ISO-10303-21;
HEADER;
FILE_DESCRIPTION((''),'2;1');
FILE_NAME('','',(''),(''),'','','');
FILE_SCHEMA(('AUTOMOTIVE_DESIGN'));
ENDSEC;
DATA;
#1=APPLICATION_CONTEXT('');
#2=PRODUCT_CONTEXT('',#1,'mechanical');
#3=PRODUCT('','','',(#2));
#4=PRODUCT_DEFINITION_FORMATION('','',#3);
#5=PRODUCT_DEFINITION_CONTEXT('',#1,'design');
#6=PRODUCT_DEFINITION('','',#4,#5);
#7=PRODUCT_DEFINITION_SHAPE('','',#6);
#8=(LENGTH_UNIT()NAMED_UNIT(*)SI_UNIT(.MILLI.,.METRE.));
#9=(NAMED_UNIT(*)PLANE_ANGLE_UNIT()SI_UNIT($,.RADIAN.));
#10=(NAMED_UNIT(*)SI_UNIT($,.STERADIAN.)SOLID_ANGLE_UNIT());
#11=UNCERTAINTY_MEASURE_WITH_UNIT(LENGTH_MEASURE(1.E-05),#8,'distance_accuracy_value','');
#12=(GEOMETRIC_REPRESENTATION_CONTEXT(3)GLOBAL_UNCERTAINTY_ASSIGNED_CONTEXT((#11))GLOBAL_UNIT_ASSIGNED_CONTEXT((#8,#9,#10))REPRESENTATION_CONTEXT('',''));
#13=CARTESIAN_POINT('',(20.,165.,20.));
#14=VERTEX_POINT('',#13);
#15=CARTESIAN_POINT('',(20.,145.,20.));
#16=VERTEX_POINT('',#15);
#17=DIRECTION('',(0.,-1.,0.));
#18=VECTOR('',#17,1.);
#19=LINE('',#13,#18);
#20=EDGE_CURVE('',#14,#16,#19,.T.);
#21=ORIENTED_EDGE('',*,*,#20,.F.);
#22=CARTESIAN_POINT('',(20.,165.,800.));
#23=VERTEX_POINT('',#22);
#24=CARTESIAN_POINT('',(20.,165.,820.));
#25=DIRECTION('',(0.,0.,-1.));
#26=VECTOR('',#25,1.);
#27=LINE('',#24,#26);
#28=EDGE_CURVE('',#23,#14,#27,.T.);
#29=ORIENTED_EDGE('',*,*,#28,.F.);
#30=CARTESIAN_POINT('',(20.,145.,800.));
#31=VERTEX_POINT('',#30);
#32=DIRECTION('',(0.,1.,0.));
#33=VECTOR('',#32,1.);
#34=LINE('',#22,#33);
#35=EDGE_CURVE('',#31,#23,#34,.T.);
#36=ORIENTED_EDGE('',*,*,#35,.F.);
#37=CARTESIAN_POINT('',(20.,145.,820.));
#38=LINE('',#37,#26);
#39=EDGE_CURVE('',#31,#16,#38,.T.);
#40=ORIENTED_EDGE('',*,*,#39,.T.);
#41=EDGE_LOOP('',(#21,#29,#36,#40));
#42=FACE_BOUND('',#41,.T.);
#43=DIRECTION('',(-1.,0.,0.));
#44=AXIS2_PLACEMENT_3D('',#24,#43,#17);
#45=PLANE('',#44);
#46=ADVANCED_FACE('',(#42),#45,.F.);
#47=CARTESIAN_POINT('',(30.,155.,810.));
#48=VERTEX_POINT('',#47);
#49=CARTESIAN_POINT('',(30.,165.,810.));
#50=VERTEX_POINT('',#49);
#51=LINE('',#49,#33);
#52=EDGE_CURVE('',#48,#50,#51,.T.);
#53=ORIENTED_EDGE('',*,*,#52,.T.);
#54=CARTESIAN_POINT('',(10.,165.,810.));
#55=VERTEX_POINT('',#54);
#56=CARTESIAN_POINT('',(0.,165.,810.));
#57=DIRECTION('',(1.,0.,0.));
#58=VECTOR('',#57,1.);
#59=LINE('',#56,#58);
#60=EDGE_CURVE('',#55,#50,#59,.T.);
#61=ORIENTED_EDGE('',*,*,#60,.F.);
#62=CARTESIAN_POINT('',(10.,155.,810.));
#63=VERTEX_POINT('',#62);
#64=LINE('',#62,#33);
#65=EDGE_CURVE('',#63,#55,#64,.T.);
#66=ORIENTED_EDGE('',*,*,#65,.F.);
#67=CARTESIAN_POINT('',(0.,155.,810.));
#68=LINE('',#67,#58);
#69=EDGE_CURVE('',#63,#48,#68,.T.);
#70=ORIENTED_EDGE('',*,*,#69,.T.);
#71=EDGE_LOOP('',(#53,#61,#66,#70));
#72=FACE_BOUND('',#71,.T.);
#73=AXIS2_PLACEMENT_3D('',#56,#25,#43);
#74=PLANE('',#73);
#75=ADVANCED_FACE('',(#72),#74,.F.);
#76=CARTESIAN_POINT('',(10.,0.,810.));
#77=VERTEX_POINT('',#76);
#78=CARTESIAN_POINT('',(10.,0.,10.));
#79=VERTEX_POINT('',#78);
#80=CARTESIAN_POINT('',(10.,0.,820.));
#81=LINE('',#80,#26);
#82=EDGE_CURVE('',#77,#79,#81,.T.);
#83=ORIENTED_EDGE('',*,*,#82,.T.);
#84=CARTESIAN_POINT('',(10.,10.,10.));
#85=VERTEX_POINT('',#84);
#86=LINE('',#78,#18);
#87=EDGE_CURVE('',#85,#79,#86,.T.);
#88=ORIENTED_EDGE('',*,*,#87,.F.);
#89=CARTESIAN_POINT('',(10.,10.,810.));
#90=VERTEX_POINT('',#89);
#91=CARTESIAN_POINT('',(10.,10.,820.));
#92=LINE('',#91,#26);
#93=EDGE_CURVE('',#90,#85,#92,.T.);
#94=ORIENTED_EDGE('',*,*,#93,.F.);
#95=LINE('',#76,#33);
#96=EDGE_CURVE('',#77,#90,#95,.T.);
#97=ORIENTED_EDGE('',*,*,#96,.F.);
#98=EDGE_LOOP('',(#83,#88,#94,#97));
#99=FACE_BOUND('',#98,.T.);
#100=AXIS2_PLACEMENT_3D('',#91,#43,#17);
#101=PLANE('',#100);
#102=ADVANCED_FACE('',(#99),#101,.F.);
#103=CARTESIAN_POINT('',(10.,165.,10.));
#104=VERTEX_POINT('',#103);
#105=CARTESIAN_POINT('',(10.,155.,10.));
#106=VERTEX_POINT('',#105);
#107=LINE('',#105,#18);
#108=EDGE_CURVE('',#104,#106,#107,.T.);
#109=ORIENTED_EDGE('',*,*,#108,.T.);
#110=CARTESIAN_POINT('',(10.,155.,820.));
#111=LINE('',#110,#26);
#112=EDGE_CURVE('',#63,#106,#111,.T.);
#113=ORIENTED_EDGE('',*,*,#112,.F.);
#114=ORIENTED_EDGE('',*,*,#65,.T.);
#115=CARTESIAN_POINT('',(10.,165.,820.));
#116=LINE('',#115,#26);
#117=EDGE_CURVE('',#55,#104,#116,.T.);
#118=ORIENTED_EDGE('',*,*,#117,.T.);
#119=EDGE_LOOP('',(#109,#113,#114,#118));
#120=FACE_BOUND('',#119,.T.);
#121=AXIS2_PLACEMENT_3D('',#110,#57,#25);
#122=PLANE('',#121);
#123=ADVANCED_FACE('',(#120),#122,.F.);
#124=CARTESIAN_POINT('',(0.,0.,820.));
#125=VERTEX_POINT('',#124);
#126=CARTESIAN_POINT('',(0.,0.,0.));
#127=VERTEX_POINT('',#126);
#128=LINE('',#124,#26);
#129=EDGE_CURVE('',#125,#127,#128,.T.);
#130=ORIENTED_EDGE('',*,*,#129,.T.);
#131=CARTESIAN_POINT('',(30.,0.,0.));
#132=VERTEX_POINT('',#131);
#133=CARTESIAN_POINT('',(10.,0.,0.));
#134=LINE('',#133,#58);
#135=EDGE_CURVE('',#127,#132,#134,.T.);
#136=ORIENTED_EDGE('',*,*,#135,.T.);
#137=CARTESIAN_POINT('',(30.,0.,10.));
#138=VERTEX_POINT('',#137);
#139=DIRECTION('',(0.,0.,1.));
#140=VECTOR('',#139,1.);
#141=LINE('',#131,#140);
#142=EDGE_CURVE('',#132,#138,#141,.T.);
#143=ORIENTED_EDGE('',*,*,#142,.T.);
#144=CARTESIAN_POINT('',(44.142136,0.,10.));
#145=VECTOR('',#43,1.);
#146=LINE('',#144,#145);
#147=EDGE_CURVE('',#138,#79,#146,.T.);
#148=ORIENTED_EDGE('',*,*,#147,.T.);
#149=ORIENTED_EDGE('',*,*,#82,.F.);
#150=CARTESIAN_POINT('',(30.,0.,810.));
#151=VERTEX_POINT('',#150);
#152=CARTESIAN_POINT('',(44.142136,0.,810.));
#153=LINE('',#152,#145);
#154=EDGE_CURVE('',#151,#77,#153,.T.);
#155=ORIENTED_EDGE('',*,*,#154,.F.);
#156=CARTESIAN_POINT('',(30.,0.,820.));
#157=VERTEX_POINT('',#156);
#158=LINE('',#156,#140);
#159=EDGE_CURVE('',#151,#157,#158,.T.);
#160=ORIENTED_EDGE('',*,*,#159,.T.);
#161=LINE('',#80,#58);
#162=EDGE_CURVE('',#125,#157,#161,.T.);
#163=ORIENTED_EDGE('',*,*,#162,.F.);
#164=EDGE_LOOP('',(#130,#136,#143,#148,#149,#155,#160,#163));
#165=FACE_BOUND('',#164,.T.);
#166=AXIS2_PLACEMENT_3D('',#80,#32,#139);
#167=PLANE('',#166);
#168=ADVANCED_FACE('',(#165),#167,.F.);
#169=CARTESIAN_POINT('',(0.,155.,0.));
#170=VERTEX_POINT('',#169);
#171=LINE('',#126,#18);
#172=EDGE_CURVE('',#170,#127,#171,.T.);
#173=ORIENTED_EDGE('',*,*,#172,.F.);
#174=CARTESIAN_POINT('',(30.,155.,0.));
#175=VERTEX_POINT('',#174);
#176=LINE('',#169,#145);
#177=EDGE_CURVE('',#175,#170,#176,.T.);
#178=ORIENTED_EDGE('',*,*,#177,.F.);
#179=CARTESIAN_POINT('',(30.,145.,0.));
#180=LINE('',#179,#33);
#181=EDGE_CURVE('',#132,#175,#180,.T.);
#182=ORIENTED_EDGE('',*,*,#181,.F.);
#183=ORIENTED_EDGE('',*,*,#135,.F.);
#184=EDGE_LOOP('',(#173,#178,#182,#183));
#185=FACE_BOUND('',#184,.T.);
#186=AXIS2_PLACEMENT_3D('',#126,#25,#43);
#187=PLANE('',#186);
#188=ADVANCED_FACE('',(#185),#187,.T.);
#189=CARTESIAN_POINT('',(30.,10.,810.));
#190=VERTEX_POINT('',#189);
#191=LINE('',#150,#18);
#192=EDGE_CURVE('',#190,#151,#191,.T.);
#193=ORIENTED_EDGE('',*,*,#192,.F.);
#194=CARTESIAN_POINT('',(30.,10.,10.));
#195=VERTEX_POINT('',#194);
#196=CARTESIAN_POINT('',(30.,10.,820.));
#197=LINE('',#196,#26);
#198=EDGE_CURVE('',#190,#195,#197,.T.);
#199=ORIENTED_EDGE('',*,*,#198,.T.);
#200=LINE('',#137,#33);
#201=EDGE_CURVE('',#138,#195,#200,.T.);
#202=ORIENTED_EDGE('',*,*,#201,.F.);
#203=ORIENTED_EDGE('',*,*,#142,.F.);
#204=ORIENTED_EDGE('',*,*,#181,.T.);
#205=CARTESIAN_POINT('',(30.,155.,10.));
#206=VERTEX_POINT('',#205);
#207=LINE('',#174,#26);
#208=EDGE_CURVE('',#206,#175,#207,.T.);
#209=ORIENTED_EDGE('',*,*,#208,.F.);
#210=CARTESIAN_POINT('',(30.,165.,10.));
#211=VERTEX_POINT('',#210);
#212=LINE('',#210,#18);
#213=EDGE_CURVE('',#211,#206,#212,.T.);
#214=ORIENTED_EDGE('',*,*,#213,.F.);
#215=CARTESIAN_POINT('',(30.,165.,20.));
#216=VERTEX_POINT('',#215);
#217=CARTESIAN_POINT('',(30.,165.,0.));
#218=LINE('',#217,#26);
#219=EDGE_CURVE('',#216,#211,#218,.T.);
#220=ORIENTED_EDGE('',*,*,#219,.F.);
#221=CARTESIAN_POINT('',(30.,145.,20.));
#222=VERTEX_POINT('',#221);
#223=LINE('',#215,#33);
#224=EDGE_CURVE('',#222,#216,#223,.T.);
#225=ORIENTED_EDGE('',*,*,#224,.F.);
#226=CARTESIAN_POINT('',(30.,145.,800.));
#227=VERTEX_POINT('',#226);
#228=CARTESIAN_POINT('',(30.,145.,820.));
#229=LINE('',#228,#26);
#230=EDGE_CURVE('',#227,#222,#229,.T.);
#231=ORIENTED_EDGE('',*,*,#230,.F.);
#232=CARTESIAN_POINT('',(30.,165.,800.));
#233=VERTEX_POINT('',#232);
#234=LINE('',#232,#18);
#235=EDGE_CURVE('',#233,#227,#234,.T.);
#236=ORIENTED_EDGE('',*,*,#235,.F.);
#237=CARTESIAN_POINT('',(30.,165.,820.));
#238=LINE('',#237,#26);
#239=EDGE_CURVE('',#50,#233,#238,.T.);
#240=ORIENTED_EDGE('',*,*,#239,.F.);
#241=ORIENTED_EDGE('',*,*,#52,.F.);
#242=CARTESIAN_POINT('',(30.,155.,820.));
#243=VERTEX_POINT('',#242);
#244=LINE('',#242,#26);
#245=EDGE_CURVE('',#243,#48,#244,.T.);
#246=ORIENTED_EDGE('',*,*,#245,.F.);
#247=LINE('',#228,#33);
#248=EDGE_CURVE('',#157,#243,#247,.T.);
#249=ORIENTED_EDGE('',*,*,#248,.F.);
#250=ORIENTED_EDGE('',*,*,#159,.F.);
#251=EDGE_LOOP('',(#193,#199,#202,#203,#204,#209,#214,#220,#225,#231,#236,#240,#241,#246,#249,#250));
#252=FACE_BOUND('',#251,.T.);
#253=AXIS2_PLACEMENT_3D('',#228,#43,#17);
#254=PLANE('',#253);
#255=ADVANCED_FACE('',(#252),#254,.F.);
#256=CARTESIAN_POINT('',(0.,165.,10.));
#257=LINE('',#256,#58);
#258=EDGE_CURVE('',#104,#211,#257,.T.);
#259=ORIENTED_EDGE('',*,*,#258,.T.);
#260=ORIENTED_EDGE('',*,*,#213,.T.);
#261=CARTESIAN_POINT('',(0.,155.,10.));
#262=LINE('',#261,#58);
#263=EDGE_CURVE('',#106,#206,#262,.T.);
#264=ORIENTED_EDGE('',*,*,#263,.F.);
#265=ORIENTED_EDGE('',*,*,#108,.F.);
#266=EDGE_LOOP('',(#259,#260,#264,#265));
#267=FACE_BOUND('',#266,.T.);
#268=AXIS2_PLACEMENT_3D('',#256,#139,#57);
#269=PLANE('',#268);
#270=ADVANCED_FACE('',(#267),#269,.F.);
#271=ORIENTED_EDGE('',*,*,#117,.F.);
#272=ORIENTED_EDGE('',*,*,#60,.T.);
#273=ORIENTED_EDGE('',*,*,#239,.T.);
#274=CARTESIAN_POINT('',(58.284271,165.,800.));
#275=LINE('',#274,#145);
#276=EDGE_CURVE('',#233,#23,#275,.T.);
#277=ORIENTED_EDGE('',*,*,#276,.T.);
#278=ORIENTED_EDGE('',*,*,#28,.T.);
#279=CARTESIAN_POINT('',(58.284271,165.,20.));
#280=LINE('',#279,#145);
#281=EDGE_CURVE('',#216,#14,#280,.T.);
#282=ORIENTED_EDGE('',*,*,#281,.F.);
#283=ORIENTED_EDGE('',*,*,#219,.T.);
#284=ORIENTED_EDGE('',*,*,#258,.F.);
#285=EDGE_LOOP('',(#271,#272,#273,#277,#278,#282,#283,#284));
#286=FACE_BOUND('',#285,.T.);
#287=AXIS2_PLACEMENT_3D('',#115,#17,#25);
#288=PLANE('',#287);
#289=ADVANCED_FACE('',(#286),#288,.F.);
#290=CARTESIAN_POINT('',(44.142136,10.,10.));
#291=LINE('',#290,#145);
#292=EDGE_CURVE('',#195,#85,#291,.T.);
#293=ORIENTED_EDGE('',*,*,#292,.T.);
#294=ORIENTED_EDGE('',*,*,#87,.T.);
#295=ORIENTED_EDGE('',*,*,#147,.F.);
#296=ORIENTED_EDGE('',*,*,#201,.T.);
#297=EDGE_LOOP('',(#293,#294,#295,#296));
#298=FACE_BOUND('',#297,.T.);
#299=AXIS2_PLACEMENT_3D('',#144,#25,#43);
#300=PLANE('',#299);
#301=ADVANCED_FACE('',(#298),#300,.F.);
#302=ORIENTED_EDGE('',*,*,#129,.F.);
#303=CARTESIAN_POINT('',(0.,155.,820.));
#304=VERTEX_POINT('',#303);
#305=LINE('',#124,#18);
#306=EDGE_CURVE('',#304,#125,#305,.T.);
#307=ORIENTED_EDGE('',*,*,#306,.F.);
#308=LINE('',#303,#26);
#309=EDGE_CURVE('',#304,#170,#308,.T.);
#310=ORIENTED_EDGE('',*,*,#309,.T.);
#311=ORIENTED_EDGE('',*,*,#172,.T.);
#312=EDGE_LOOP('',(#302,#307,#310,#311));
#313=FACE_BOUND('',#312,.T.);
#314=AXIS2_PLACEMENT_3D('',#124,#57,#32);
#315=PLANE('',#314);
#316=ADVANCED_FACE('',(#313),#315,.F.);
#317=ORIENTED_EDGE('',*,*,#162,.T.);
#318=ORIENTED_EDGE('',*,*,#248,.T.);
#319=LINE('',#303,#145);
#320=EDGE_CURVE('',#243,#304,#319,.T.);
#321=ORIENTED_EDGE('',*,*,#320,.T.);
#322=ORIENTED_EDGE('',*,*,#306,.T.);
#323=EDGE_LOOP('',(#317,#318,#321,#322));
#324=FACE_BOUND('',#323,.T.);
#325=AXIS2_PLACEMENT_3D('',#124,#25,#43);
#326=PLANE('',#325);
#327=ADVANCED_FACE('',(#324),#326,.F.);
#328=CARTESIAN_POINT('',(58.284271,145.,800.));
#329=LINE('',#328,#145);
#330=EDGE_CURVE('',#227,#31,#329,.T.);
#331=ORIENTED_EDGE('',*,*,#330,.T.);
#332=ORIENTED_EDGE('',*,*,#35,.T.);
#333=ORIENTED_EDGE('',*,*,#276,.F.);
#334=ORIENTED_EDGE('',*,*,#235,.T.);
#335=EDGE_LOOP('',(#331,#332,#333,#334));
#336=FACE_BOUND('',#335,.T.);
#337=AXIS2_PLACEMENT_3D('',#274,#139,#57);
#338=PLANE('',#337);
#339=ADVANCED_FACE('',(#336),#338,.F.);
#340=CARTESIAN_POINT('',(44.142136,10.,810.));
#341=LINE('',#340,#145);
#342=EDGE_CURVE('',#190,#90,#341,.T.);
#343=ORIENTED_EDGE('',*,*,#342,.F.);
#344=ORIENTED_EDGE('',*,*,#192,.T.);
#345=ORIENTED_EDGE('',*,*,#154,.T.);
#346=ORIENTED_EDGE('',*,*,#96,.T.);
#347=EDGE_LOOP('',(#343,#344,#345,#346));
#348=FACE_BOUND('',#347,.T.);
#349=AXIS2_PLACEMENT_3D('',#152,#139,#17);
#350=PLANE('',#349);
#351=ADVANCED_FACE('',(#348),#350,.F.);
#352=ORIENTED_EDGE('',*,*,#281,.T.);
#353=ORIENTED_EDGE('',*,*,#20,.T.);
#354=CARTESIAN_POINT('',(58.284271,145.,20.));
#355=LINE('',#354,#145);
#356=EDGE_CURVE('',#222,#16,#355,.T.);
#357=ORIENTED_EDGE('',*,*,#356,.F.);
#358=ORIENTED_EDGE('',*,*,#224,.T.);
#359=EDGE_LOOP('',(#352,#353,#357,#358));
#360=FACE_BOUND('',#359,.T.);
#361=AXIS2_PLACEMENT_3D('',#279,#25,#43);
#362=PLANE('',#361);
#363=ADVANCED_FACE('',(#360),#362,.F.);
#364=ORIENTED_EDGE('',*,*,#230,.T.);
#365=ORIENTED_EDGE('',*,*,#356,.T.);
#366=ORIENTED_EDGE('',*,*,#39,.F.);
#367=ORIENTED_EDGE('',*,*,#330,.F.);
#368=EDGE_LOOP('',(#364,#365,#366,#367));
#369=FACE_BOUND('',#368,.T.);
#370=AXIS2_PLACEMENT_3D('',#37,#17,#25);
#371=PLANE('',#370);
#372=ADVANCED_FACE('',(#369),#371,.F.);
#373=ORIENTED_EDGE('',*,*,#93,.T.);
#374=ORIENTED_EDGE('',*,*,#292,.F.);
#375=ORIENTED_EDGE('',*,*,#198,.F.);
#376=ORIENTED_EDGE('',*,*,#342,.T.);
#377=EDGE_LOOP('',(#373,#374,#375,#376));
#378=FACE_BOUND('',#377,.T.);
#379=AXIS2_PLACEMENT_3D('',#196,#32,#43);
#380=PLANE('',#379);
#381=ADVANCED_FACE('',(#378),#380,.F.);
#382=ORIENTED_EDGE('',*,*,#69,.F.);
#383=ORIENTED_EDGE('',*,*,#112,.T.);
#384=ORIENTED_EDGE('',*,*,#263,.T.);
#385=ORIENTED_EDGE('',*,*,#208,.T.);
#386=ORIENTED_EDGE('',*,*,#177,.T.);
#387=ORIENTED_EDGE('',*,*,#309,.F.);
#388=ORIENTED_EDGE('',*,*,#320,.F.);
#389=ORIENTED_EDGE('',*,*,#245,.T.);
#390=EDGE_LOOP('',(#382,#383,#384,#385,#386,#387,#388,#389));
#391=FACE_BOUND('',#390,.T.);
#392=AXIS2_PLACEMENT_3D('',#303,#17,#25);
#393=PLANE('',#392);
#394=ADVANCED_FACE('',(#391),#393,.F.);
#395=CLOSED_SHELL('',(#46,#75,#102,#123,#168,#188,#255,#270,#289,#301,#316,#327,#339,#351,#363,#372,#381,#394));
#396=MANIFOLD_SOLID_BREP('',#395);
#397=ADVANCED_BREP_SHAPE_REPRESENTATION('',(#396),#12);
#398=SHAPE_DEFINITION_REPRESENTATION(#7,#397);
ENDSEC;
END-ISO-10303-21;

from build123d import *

# Parameters (mm, degrees)
EXTRUDE_1_DEPTH     = 820
SKETCH_2_W          = 10
SKETCH_2_H          = 10
EXTRUDE_2_DEPTH     = 20
SKETCH_4_W          = 20
SKETCH_4_H          = 20
EXTRUDE_3_DEPTH     = 10
SKETCH_5_W          = 10
SKETCH_5_H          = 10
CUT_EXTRUDE_2_DEPTH = 837.973715238


with BuildPart() as part:
    # Эскиз1 → Бобышка-Вытянуть1 (new body)
    with BuildSketch(Plane.XY):
        Polygon((0, 0), (0, 155), (10, 155), (10, 165), (20, 165), (20, 145), (30, 145), (30, 10), (10, 10), (10, 0), align=None)
    extrude(amount=EXTRUDE_1_DEPTH)

    # Эскиз2 → Бобышка-Вытянуть2 (add)
    with BuildSketch(Plane(origin=(10, 0, 0), x_dir=(0, 0, -1), z_dir=(1, 0, 0))):
        with Locations((-815, 5)):
            Rectangle(SKETCH_2_W, SKETCH_2_H)
        with Locations((-5, 5)):
            Rectangle(SKETCH_2_W, SKETCH_2_H)
    extrude(amount=EXTRUDE_2_DEPTH)

    # Эскиз4 → Бобышка-Вытянуть3 (add)
    with BuildSketch(Plane(origin=(20, 0, 0), x_dir=(0, 0, -1), z_dir=(1, 0, 0))):
        with Locations((-810, 155)):
            Rectangle(SKETCH_4_W, SKETCH_4_H)
        with Locations((-10, 155)):
            Rectangle(SKETCH_4_W, SKETCH_4_H)
    extrude(amount=EXTRUDE_3_DEPTH)

    # Эскиз5 → Вырез-Вытянуть2 (cut, through all)
    with BuildSketch(Plane(origin=(30, 0, 0), x_dir=(0, 0, -1), z_dir=(1, 0, 0))):
        with Locations((-815, 160)):
            Rectangle(SKETCH_5_W, SKETCH_5_H)
        with Locations((-5, 160)):
            Rectangle(SKETCH_5_W, SKETCH_5_H)
    extrude(amount=-CUT_EXTRUDE_2_DEPTH, mode=Mode.SUBTRACT)


solid = part.part
